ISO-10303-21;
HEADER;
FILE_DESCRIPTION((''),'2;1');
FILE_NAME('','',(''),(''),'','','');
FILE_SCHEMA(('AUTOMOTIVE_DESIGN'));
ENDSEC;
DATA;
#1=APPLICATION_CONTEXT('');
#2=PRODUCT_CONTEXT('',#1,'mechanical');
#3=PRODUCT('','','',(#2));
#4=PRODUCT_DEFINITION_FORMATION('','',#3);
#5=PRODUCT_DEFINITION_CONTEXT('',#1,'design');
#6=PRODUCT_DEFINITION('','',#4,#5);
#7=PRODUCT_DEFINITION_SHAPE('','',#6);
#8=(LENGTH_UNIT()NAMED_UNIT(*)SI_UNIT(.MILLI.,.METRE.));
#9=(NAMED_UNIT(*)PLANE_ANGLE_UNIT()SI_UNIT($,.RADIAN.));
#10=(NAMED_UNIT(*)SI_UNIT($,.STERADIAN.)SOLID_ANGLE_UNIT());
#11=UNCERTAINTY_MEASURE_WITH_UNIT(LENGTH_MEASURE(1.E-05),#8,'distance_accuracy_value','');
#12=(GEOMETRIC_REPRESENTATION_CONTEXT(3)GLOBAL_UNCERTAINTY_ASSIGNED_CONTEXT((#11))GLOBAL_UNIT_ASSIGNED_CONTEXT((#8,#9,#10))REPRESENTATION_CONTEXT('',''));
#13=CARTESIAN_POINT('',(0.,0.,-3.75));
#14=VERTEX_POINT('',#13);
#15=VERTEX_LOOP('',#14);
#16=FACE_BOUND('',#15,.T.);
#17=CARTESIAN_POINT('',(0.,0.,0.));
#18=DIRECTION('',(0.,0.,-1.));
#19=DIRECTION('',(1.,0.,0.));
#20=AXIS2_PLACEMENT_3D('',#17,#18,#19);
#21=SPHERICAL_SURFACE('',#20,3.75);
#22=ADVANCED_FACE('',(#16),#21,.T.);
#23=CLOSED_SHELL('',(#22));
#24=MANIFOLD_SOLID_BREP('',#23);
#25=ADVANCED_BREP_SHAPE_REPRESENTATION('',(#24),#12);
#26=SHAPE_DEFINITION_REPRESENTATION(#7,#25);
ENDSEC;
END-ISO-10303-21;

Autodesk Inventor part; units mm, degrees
ref_plane "YZ Plane" through (0, 0, 0) normal (1, 0, 0) x (0, 1, 0)
ref_plane "XZ Plane" through (0, 0, 0) normal (0, 1, 0) x (-1, 0, 0)
ref_plane "XY Plane" through (0, 0, 0) normal (0, 0, 1) x (1, 0, 0)
sketch "Sketch1" plane through (0, 0, 0) normal (0, 1, 0) x (-1, 0, 0)
  circle A0 centre (0, 0) radius 3.75
  line L0 (0, 9.8946) -> (0, -9.8946)
  point P0 (0, -3.75)
  point P1 (0, 3.75)
  dimension "d0" = 7.5
revolve "Revolution1" add sketch "Sketch1" angle 360 about axis through (0, 0, 9.8946) along (0, 0, -1) picked at (-1.4098, 1.0788) contours L0 A0
properties part number "steelBall"
